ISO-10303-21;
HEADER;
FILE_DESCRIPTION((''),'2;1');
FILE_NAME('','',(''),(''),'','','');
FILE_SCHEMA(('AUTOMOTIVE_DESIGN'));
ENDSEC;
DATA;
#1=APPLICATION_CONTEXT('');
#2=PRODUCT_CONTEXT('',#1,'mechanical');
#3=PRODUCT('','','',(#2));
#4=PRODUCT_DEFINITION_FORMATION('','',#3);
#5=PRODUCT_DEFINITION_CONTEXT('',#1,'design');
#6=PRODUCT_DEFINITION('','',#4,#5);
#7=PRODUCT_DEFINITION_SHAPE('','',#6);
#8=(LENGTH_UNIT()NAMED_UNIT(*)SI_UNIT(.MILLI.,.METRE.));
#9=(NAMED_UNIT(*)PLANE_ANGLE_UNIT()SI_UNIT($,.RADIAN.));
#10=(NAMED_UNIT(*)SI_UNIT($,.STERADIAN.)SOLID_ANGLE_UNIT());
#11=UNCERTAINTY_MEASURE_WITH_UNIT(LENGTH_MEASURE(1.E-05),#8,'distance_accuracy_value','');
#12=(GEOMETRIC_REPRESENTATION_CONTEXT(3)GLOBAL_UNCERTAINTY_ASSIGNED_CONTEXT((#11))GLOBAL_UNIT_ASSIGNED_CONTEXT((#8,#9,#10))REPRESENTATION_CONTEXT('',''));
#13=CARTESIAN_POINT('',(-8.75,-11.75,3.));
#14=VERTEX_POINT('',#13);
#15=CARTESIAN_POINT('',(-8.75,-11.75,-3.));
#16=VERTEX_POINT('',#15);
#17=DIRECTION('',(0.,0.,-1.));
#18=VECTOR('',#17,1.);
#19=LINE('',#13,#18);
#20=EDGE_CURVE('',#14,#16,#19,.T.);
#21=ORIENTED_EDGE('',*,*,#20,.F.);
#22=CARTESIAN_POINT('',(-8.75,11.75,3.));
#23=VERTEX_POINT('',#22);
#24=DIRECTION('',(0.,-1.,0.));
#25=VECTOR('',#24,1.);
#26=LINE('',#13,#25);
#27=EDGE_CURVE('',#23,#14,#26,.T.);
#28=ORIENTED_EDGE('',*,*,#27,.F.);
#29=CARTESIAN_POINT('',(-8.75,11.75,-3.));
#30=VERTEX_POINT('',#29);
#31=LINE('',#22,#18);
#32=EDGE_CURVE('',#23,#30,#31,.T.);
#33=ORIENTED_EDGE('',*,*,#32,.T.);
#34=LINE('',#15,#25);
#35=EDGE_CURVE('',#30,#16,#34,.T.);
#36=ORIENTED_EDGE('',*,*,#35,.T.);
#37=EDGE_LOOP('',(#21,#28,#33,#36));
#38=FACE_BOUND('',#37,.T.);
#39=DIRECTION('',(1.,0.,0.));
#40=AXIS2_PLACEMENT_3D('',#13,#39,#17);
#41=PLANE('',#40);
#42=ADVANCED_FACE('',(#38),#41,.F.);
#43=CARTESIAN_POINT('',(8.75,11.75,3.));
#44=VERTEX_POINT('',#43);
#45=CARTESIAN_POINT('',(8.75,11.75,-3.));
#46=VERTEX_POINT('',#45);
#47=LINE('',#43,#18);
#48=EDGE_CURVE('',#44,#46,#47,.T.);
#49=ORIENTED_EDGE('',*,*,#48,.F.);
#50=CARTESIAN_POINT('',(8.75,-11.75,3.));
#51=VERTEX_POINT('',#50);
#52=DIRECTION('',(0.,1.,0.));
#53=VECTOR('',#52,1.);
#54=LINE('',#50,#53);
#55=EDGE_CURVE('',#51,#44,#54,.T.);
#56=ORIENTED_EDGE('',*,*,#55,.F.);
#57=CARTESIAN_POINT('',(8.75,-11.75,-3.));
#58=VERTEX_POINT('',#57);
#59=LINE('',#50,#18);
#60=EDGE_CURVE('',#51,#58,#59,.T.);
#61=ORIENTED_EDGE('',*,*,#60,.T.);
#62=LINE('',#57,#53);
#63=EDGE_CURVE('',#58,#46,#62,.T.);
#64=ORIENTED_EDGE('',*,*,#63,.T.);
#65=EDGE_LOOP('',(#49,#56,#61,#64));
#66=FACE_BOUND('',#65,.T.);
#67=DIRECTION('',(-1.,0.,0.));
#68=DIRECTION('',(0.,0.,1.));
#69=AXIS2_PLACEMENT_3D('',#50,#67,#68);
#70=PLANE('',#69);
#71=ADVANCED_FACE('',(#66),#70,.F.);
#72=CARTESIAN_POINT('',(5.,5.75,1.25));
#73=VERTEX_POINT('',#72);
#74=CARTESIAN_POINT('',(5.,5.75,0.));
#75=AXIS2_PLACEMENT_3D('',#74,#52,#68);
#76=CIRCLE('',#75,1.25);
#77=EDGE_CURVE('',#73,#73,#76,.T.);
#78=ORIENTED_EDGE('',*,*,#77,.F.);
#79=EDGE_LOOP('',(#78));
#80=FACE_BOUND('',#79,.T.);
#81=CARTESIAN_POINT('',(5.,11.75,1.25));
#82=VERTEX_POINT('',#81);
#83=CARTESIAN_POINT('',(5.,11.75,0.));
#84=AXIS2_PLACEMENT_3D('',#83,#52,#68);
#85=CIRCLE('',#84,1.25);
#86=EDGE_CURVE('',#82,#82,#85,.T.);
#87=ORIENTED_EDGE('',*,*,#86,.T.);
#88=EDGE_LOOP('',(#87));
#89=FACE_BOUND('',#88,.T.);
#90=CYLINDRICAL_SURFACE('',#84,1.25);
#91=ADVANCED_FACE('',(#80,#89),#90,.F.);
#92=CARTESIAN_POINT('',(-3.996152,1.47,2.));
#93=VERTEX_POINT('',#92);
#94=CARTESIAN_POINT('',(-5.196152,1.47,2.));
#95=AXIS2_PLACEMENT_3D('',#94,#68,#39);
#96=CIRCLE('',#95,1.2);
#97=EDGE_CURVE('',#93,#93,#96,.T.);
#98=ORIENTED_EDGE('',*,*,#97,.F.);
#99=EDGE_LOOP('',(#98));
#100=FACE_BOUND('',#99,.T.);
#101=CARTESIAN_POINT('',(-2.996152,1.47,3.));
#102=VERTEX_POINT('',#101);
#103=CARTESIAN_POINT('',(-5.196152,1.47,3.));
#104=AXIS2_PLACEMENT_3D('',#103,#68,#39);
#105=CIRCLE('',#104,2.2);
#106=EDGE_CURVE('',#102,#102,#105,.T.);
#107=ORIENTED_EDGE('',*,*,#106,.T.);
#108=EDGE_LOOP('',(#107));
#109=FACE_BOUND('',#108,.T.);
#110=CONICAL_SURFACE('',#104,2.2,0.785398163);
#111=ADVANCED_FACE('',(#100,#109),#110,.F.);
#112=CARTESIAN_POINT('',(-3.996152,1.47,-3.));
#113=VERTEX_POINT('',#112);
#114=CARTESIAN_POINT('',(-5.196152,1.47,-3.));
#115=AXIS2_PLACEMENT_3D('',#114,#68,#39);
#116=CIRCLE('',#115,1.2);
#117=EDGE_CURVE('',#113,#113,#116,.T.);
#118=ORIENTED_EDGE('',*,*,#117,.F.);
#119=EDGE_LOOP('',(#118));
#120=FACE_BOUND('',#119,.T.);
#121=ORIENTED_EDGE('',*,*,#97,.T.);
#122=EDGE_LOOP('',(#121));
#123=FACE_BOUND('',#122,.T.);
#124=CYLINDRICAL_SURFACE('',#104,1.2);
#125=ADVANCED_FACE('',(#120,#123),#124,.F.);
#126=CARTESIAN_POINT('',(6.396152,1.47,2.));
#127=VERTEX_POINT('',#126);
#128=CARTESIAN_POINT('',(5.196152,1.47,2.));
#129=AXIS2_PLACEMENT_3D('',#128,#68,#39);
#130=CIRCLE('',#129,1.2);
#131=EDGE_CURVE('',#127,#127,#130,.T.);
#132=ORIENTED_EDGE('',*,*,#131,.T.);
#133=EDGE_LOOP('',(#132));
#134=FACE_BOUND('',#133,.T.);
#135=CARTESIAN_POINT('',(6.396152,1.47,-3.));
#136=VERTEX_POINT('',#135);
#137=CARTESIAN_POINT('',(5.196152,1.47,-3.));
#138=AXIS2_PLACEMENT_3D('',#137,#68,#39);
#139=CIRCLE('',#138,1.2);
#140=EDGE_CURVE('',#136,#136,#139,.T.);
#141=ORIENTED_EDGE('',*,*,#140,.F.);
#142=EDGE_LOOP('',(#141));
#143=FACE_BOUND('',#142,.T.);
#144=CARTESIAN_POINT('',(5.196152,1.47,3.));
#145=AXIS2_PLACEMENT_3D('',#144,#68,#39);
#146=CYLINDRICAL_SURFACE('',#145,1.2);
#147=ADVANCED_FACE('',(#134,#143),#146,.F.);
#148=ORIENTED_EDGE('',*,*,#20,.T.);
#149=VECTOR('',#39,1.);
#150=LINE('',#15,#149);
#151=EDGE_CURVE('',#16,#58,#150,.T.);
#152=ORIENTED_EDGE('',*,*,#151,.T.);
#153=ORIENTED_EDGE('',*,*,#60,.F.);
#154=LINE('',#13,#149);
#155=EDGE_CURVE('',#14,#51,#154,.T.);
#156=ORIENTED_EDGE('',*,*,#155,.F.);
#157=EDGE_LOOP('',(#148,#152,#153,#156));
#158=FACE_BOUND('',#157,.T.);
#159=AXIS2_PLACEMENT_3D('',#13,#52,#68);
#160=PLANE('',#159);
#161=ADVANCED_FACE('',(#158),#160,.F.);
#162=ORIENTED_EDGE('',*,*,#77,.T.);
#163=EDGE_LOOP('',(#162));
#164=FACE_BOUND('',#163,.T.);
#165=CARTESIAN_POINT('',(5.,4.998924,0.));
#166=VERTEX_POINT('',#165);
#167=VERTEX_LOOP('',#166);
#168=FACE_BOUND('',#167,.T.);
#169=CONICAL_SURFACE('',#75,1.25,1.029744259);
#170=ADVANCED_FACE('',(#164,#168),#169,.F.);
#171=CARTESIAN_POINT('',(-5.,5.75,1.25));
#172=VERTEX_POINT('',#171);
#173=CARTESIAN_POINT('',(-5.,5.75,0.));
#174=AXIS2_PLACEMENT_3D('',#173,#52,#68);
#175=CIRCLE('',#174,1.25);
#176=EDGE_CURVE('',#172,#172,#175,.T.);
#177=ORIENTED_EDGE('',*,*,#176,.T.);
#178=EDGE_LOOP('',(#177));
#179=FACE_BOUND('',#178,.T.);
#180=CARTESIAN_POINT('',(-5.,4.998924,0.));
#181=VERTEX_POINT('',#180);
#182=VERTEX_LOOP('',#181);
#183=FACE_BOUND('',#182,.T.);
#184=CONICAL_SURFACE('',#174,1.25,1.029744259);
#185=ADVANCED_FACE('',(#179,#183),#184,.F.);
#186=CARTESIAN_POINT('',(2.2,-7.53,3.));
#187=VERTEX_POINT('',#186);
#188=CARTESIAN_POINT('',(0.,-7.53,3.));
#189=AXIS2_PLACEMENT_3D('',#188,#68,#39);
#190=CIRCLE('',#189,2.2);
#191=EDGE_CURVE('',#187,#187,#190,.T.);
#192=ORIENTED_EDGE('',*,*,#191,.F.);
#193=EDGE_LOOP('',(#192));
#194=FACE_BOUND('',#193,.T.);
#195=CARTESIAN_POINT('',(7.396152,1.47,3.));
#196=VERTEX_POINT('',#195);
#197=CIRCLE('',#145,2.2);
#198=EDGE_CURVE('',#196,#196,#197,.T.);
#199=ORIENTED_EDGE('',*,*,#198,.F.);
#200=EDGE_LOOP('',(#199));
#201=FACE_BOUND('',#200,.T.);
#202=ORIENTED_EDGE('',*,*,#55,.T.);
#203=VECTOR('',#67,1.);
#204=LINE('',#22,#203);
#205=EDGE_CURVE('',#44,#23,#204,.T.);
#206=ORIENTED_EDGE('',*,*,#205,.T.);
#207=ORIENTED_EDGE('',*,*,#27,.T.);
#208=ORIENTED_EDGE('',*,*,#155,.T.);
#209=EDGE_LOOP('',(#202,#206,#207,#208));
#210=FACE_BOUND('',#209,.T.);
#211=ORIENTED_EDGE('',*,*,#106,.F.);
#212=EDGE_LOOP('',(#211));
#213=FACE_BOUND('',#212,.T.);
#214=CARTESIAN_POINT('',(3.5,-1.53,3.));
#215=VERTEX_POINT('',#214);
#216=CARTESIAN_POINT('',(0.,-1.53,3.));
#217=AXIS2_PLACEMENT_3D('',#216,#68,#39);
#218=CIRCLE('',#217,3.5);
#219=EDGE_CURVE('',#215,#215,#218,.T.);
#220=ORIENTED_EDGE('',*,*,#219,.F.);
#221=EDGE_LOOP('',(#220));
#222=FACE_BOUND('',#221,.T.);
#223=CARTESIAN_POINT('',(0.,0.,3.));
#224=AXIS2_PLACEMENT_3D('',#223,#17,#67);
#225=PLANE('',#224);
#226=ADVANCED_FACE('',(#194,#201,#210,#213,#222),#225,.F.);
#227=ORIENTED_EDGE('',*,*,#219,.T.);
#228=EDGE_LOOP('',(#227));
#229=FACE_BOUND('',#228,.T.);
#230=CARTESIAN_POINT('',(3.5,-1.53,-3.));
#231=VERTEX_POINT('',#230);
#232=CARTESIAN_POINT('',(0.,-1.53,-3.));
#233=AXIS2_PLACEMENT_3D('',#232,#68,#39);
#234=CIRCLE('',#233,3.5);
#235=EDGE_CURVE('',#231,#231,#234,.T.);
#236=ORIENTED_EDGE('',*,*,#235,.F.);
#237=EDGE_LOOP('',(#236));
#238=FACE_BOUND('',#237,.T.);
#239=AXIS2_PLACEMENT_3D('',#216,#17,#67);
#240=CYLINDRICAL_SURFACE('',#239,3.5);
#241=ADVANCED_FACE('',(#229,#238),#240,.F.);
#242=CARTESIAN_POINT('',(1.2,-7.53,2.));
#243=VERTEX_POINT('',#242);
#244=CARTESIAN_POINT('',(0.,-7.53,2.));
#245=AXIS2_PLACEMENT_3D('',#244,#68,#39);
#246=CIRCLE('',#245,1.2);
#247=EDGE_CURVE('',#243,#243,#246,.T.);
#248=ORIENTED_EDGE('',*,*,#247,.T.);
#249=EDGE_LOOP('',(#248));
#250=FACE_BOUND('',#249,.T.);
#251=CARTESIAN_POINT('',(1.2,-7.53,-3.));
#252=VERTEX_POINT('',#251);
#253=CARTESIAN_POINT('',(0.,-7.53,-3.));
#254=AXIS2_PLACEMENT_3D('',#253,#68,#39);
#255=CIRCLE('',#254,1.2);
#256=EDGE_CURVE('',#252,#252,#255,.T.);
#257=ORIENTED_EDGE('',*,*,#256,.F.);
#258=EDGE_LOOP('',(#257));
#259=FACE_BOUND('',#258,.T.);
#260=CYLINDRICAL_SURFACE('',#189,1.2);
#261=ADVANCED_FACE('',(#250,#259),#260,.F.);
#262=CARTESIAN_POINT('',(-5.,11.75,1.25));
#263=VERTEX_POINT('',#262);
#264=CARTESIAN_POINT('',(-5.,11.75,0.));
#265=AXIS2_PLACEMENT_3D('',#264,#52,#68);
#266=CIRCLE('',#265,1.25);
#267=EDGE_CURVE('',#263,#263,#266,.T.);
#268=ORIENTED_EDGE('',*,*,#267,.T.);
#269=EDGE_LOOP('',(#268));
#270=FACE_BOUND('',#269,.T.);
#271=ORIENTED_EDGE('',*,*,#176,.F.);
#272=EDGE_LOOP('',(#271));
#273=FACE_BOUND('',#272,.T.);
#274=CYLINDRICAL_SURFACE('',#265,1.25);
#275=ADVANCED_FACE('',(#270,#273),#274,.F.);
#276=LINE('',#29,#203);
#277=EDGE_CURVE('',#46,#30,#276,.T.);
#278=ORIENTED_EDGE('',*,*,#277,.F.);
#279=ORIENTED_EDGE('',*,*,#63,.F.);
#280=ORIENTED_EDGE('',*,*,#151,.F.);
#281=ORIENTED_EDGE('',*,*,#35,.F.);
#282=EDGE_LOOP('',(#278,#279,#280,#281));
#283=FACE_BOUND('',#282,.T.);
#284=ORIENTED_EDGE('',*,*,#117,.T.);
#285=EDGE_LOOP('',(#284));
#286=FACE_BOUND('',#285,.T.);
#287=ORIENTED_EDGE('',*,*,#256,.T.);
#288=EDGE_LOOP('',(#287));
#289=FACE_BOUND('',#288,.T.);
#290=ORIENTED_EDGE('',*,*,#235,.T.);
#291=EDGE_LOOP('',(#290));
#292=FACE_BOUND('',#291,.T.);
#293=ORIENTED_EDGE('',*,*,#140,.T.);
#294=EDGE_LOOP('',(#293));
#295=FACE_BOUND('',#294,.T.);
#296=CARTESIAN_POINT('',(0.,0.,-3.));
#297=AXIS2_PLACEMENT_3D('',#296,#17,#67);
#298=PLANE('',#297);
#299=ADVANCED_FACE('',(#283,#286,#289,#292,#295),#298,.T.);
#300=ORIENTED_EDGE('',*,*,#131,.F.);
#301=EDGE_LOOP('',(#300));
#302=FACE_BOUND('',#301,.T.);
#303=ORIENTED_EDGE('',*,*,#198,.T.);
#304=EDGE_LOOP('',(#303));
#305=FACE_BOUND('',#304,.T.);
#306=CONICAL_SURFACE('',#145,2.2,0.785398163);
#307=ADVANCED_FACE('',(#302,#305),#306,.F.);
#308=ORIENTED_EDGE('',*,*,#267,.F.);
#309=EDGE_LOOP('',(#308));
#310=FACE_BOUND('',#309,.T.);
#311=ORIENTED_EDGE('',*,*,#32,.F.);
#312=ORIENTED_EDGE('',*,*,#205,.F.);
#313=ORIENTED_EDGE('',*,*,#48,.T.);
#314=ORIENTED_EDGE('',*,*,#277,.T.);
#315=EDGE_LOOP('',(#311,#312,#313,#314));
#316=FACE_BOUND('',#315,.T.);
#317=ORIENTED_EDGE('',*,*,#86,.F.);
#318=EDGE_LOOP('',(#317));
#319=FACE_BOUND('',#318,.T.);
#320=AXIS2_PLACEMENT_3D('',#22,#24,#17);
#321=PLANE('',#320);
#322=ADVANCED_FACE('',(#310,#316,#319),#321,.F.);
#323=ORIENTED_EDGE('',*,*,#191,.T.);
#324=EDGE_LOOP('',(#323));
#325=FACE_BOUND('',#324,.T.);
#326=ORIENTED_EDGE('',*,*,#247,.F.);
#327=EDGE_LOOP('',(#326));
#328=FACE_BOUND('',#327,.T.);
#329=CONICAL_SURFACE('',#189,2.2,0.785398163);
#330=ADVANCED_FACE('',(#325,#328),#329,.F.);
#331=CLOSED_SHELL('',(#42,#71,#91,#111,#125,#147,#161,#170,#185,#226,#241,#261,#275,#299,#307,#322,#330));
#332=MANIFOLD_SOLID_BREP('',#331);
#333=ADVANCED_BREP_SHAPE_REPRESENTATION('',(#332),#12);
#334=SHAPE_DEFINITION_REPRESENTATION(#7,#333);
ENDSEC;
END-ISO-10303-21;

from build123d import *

# Parameters (mm, degrees)
SKETCH1_W                                           = 17.5
SKETCH1_H                                           = 23.5
SKETCH1_R                                           = 3.5
BOSS_EXTRUDE1_DEPTH                                 = 3
CSK_FOR_M2_COUNTERSUNK_FLAT_HEAD_SCREW1_D           = 2.4
CSK_FOR_M2_COUNTERSUNK_FLAT_HEAD_SCREW1_CSINK_D     = 4.4
CSK_FOR_M2_COUNTERSUNK_FLAT_HEAD_SCREW1_CSINK_ANGLE = 90
TAP_DRILL_FOR_M3_TAP1_D                             = 2.5
TAP_DRILL_FOR_M3_TAP1_DEPTH                         = 6
TAP_DRILL_FOR_M3_TAP1_TIP                           = 0.751075774


with BuildPart() as part:
    # Sketch1 → Boss-Extrude1 (new, symmetric)
    with BuildSketch(Plane.XY):
        Rectangle(SKETCH1_W, SKETCH1_H)
        with Locations((0, -1.53)):
            Circle(SKETCH1_R, mode=Mode.SUBTRACT)
    extrude(amount=BOSS_EXTRUDE1_DEPTH, both=True)

    # CSK for M2 Countersunk Flat Head Screw1 (through all)
    with Locations(Plane.XY.offset(3)):
        with Locations((0, -7.53), (-5.196152423, 1.47), (5.196152423, 1.47)):
            CounterSinkHole(CSK_FOR_M2_COUNTERSUNK_FLAT_HEAD_SCREW1_D / 2, CSK_FOR_M2_COUNTERSUNK_FLAT_HEAD_SCREW1_CSINK_D / 2, counter_sink_angle=CSK_FOR_M2_COUNTERSUNK_FLAT_HEAD_SCREW1_CSINK_ANGLE)

    # Tap Drill for M3 Tap1
    with Locations(Plane(origin=(0, 11.75, 0), x_dir=(1, 0, 0), z_dir=(0, 1, 0))):
        with Locations((-5, 0), (5, 0)):
            Hole(TAP_DRILL_FOR_M3_TAP1_D / 2, depth=TAP_DRILL_FOR_M3_TAP1_DEPTH)
            with Locations((0, 0, -(TAP_DRILL_FOR_M3_TAP1_DEPTH + TAP_DRILL_FOR_M3_TAP1_TIP / 2))):  # 118° drill point
                Cone(0, TAP_DRILL_FOR_M3_TAP1_D / 2, TAP_DRILL_FOR_M3_TAP1_TIP, mode=Mode.SUBTRACT)


solid = part.part
